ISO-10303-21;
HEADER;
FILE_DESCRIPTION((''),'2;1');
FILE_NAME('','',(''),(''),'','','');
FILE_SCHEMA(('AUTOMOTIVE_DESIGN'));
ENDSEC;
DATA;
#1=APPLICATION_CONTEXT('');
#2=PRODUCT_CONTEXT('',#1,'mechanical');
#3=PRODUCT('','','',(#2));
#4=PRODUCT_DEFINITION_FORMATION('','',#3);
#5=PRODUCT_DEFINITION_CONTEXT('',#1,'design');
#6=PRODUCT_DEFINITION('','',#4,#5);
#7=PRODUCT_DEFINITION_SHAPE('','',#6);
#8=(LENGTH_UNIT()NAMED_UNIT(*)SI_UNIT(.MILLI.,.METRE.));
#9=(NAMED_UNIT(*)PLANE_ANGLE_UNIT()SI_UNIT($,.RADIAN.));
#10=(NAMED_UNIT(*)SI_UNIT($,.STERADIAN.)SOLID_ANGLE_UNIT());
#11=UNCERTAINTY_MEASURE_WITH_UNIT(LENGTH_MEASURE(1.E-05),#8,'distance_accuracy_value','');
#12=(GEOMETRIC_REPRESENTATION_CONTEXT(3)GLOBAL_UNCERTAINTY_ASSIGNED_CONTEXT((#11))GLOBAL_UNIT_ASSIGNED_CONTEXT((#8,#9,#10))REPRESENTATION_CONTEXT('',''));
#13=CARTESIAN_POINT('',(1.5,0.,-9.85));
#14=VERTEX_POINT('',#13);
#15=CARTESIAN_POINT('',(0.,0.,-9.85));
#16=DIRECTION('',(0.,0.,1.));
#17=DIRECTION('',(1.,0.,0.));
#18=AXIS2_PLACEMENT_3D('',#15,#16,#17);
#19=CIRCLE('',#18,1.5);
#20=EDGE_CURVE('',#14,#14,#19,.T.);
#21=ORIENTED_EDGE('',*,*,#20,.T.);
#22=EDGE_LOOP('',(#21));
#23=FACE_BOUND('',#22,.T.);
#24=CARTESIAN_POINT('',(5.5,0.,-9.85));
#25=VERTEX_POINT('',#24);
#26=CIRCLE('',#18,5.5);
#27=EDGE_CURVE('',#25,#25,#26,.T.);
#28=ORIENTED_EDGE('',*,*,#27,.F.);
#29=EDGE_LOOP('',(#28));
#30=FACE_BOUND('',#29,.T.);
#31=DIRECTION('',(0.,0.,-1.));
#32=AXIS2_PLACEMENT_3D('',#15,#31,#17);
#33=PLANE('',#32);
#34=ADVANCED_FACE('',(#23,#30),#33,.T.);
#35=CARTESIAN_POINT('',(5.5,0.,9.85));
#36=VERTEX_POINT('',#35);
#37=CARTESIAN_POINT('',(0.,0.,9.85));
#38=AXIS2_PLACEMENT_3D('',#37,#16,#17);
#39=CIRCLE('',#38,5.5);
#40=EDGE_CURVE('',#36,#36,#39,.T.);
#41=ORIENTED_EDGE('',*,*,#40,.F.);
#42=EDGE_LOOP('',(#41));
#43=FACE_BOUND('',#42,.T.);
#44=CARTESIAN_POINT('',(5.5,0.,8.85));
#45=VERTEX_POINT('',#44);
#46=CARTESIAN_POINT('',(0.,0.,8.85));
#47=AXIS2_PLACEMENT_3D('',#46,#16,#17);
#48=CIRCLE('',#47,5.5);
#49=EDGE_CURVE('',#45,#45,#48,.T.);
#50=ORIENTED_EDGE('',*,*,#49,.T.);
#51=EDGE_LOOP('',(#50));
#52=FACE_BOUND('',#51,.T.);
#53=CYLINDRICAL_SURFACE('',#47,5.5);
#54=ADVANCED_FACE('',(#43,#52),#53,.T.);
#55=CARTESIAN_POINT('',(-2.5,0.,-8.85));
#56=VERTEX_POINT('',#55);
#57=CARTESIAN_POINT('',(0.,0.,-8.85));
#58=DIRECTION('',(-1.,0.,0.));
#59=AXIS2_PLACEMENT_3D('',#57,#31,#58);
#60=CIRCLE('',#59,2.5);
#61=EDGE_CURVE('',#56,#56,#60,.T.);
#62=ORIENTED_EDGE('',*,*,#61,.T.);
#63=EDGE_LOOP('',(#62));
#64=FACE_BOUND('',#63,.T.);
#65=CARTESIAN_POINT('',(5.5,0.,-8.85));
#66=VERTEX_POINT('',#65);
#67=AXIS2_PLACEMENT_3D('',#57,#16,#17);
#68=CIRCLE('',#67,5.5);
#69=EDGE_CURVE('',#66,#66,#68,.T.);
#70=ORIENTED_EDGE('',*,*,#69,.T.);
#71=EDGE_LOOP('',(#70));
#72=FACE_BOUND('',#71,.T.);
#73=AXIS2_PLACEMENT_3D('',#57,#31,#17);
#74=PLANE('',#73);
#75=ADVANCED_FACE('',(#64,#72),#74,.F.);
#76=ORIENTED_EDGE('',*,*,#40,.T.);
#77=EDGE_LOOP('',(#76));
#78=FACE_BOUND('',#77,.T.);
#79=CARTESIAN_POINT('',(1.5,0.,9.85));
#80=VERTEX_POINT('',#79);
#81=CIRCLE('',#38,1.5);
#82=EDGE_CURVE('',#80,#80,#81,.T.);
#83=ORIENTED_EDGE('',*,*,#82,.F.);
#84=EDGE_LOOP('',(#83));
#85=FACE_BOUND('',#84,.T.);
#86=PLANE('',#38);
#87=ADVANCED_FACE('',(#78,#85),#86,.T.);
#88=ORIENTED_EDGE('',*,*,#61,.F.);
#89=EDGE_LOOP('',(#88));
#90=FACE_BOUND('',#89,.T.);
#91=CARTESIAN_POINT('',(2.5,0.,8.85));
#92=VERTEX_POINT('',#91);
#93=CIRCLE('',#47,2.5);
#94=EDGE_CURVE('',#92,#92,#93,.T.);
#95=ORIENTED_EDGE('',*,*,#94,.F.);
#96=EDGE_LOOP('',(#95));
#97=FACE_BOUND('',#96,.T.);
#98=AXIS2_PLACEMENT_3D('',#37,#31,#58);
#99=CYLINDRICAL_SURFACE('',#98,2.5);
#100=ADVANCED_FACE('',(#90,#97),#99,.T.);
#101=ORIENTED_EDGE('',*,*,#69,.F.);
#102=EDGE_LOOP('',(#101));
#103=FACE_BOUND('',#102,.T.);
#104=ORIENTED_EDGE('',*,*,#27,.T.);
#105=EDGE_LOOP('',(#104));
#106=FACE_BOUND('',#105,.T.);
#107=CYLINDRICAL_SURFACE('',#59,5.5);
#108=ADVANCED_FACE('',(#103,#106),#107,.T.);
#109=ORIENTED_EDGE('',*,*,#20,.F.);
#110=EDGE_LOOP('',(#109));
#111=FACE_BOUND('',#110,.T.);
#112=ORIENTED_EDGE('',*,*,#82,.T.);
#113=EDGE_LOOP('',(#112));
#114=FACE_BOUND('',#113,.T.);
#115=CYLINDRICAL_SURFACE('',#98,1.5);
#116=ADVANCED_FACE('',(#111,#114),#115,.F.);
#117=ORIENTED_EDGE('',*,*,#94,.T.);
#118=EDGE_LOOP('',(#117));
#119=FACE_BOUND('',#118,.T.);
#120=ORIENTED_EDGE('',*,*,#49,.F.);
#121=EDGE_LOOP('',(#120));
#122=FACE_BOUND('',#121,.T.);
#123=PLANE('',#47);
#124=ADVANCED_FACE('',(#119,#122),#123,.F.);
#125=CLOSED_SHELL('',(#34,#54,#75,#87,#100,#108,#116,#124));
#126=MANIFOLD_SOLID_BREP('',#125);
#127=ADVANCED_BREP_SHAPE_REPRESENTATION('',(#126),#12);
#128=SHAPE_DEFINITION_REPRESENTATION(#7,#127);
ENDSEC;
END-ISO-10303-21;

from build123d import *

# Parameters (mm, degrees)
ESQUISSE1_R        = 2.5
ESQUISSE1_R_2      = 1.5
BOSS_EXTRU_1_DEPTH = 9.85
ESQUISSE2_R        = 5.5
ESQUISSE2_R_2      = 2.5
BOSS_EXTRU_2_DEPTH = 1


with BuildPart() as part:
    # Esquisse1 → Boss.-Extru.1 (new body)
    with BuildSketch(Plane.XY):
        Circle(ESQUISSE1_R)
        Circle(ESQUISSE1_R_2, mode=Mode.SUBTRACT)
    boss_extru_1 = extrude(amount=BOSS_EXTRU_1_DEPTH)

    # Esquisse2 → Boss.-Extru.2 (add)
    with BuildSketch(Plane.XY.offset(9.85)):
        Circle(ESQUISSE2_R)
        Circle(ESQUISSE2_R_2, mode=Mode.SUBTRACT)
    boss_extru_2 = extrude(amount=-BOSS_EXTRU_2_DEPTH)

    # Symétrie1: Boss.-Extru.1, Boss.-Extru.2 across plane
    add(boss_extru_1.mirror(Plane.XY))
    add(boss_extru_2.mirror(Plane.XY))


solid = part.part
